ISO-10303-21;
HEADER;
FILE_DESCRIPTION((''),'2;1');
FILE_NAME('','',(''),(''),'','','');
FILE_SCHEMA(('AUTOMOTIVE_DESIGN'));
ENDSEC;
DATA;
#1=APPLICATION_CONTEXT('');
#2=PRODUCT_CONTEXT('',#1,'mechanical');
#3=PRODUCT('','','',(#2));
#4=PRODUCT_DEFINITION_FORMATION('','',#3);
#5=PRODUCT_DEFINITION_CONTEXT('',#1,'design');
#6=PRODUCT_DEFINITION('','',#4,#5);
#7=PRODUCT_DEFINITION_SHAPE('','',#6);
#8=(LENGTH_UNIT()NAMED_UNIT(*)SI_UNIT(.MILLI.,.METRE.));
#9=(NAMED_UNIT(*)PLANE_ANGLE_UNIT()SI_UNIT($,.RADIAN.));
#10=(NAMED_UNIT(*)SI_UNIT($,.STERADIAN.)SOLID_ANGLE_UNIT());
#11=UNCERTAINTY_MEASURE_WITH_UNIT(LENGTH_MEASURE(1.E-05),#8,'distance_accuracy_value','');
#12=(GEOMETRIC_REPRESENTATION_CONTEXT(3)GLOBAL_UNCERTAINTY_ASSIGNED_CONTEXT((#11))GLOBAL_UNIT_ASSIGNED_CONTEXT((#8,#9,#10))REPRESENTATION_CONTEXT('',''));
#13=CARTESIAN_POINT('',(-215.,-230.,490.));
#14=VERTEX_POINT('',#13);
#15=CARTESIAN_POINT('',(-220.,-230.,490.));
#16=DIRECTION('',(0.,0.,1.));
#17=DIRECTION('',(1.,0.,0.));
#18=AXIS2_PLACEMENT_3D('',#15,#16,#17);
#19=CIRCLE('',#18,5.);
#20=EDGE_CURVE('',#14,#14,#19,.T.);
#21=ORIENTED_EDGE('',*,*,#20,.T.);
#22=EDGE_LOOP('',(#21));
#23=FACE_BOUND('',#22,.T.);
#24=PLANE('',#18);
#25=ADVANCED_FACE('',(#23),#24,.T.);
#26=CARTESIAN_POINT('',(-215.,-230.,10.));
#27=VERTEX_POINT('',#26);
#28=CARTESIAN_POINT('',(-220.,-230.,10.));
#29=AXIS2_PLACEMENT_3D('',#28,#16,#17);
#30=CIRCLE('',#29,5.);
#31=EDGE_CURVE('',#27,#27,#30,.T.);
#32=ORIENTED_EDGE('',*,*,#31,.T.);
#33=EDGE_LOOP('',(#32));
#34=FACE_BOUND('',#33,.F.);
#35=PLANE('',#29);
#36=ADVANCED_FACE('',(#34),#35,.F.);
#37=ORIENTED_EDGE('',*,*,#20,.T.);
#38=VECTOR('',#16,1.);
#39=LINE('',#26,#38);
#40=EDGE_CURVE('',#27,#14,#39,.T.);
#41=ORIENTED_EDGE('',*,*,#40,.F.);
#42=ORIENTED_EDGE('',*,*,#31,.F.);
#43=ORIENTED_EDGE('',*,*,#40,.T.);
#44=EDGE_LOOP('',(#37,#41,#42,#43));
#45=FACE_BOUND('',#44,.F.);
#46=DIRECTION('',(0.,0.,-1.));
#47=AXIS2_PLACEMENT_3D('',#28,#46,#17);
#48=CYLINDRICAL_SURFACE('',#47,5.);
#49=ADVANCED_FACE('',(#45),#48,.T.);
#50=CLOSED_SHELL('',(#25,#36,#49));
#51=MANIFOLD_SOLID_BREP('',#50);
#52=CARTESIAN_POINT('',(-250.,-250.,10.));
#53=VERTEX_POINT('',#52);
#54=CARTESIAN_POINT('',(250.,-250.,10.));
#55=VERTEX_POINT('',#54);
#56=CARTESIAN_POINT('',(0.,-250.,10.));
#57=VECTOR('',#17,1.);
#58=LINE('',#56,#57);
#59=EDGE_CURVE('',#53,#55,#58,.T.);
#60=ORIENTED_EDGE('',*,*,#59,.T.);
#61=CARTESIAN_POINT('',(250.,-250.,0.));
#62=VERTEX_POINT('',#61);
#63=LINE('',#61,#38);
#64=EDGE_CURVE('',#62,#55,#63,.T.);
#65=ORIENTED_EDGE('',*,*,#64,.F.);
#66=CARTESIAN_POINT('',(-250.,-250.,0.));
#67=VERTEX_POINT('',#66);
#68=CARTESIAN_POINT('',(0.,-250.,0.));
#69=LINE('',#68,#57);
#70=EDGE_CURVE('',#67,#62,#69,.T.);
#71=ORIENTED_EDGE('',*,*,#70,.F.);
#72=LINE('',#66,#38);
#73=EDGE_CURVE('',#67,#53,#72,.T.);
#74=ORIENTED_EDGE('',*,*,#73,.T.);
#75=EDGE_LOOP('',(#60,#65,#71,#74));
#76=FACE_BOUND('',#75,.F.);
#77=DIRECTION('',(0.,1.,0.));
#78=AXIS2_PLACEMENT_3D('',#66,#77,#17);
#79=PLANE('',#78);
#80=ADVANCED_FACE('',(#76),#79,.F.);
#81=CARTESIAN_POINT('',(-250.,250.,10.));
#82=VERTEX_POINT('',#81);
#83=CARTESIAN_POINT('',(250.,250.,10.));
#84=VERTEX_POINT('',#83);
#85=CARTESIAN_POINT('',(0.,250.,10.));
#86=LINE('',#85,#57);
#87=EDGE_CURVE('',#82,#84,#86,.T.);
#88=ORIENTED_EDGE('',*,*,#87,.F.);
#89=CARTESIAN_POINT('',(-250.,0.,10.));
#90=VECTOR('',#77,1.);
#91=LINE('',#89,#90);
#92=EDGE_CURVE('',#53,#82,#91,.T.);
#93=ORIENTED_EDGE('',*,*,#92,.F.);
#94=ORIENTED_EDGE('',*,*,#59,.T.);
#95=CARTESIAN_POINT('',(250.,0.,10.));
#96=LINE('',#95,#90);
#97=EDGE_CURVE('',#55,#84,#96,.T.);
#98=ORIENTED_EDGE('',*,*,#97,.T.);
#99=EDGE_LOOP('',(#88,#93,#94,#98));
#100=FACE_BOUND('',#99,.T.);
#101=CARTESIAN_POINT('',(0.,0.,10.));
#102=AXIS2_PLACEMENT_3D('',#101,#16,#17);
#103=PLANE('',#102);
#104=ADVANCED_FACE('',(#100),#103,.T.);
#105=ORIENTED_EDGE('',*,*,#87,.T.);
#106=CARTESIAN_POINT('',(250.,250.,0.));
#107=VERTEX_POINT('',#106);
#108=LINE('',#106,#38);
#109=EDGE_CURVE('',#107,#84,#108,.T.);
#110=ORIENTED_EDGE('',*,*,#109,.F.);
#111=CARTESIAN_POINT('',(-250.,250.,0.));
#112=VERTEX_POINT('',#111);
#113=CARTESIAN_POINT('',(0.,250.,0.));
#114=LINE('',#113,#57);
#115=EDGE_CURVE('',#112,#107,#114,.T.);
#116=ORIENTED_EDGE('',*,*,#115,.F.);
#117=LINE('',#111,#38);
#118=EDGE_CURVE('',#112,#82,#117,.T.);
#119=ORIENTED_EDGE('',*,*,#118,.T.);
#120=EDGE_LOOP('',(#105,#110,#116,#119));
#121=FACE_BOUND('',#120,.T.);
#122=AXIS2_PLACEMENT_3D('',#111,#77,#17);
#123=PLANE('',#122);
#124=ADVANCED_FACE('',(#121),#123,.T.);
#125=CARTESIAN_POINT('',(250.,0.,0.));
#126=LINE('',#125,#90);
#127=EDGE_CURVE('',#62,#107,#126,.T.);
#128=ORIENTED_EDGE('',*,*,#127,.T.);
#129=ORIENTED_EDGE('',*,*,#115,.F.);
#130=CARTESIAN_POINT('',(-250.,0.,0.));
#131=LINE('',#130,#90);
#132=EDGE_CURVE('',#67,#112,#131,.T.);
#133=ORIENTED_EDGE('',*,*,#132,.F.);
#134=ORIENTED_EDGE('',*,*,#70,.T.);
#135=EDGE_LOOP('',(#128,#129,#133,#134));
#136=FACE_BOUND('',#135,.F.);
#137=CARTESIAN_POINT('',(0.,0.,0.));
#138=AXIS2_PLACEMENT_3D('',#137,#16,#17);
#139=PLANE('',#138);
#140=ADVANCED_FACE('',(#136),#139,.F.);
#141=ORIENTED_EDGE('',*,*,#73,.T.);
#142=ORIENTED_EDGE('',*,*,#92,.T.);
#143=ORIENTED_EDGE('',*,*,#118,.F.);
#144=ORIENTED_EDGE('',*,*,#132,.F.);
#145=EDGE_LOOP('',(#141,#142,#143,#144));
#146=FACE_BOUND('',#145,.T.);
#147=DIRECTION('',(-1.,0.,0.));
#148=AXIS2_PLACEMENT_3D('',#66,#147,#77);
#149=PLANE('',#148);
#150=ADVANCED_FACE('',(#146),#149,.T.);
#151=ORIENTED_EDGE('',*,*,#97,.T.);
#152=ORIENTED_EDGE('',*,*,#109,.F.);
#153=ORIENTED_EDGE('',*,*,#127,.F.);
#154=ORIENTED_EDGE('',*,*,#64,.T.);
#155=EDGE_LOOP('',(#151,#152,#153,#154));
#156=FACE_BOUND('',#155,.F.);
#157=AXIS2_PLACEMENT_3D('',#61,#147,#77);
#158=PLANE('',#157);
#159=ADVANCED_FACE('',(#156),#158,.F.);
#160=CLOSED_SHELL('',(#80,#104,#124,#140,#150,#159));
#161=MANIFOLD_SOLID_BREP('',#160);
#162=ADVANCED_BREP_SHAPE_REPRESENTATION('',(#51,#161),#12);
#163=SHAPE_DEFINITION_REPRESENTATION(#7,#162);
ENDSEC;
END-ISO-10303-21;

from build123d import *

# Parameters (mm, degrees)
F0_W     = 500
F0_H     = 500
F1_DEPTH = 10
F2_R     = 5
F3_DEPTH = 480


with BuildPart() as f1:
    # F0 (on Top) → F1 (new body)
    with BuildSketch(Plane.XY):
        Rectangle(F0_W, F0_H)
    extrude(amount=F1_DEPTH)


with BuildPart() as f3:
    # F2 (on face) → F3 (new body)
    with BuildSketch(Plane.XY.offset(10)):
        with Locations((-220, -230)):
            Circle(F2_R)
    extrude(amount=F3_DEPTH)


solid = Compound([f1.part, f3.part])
